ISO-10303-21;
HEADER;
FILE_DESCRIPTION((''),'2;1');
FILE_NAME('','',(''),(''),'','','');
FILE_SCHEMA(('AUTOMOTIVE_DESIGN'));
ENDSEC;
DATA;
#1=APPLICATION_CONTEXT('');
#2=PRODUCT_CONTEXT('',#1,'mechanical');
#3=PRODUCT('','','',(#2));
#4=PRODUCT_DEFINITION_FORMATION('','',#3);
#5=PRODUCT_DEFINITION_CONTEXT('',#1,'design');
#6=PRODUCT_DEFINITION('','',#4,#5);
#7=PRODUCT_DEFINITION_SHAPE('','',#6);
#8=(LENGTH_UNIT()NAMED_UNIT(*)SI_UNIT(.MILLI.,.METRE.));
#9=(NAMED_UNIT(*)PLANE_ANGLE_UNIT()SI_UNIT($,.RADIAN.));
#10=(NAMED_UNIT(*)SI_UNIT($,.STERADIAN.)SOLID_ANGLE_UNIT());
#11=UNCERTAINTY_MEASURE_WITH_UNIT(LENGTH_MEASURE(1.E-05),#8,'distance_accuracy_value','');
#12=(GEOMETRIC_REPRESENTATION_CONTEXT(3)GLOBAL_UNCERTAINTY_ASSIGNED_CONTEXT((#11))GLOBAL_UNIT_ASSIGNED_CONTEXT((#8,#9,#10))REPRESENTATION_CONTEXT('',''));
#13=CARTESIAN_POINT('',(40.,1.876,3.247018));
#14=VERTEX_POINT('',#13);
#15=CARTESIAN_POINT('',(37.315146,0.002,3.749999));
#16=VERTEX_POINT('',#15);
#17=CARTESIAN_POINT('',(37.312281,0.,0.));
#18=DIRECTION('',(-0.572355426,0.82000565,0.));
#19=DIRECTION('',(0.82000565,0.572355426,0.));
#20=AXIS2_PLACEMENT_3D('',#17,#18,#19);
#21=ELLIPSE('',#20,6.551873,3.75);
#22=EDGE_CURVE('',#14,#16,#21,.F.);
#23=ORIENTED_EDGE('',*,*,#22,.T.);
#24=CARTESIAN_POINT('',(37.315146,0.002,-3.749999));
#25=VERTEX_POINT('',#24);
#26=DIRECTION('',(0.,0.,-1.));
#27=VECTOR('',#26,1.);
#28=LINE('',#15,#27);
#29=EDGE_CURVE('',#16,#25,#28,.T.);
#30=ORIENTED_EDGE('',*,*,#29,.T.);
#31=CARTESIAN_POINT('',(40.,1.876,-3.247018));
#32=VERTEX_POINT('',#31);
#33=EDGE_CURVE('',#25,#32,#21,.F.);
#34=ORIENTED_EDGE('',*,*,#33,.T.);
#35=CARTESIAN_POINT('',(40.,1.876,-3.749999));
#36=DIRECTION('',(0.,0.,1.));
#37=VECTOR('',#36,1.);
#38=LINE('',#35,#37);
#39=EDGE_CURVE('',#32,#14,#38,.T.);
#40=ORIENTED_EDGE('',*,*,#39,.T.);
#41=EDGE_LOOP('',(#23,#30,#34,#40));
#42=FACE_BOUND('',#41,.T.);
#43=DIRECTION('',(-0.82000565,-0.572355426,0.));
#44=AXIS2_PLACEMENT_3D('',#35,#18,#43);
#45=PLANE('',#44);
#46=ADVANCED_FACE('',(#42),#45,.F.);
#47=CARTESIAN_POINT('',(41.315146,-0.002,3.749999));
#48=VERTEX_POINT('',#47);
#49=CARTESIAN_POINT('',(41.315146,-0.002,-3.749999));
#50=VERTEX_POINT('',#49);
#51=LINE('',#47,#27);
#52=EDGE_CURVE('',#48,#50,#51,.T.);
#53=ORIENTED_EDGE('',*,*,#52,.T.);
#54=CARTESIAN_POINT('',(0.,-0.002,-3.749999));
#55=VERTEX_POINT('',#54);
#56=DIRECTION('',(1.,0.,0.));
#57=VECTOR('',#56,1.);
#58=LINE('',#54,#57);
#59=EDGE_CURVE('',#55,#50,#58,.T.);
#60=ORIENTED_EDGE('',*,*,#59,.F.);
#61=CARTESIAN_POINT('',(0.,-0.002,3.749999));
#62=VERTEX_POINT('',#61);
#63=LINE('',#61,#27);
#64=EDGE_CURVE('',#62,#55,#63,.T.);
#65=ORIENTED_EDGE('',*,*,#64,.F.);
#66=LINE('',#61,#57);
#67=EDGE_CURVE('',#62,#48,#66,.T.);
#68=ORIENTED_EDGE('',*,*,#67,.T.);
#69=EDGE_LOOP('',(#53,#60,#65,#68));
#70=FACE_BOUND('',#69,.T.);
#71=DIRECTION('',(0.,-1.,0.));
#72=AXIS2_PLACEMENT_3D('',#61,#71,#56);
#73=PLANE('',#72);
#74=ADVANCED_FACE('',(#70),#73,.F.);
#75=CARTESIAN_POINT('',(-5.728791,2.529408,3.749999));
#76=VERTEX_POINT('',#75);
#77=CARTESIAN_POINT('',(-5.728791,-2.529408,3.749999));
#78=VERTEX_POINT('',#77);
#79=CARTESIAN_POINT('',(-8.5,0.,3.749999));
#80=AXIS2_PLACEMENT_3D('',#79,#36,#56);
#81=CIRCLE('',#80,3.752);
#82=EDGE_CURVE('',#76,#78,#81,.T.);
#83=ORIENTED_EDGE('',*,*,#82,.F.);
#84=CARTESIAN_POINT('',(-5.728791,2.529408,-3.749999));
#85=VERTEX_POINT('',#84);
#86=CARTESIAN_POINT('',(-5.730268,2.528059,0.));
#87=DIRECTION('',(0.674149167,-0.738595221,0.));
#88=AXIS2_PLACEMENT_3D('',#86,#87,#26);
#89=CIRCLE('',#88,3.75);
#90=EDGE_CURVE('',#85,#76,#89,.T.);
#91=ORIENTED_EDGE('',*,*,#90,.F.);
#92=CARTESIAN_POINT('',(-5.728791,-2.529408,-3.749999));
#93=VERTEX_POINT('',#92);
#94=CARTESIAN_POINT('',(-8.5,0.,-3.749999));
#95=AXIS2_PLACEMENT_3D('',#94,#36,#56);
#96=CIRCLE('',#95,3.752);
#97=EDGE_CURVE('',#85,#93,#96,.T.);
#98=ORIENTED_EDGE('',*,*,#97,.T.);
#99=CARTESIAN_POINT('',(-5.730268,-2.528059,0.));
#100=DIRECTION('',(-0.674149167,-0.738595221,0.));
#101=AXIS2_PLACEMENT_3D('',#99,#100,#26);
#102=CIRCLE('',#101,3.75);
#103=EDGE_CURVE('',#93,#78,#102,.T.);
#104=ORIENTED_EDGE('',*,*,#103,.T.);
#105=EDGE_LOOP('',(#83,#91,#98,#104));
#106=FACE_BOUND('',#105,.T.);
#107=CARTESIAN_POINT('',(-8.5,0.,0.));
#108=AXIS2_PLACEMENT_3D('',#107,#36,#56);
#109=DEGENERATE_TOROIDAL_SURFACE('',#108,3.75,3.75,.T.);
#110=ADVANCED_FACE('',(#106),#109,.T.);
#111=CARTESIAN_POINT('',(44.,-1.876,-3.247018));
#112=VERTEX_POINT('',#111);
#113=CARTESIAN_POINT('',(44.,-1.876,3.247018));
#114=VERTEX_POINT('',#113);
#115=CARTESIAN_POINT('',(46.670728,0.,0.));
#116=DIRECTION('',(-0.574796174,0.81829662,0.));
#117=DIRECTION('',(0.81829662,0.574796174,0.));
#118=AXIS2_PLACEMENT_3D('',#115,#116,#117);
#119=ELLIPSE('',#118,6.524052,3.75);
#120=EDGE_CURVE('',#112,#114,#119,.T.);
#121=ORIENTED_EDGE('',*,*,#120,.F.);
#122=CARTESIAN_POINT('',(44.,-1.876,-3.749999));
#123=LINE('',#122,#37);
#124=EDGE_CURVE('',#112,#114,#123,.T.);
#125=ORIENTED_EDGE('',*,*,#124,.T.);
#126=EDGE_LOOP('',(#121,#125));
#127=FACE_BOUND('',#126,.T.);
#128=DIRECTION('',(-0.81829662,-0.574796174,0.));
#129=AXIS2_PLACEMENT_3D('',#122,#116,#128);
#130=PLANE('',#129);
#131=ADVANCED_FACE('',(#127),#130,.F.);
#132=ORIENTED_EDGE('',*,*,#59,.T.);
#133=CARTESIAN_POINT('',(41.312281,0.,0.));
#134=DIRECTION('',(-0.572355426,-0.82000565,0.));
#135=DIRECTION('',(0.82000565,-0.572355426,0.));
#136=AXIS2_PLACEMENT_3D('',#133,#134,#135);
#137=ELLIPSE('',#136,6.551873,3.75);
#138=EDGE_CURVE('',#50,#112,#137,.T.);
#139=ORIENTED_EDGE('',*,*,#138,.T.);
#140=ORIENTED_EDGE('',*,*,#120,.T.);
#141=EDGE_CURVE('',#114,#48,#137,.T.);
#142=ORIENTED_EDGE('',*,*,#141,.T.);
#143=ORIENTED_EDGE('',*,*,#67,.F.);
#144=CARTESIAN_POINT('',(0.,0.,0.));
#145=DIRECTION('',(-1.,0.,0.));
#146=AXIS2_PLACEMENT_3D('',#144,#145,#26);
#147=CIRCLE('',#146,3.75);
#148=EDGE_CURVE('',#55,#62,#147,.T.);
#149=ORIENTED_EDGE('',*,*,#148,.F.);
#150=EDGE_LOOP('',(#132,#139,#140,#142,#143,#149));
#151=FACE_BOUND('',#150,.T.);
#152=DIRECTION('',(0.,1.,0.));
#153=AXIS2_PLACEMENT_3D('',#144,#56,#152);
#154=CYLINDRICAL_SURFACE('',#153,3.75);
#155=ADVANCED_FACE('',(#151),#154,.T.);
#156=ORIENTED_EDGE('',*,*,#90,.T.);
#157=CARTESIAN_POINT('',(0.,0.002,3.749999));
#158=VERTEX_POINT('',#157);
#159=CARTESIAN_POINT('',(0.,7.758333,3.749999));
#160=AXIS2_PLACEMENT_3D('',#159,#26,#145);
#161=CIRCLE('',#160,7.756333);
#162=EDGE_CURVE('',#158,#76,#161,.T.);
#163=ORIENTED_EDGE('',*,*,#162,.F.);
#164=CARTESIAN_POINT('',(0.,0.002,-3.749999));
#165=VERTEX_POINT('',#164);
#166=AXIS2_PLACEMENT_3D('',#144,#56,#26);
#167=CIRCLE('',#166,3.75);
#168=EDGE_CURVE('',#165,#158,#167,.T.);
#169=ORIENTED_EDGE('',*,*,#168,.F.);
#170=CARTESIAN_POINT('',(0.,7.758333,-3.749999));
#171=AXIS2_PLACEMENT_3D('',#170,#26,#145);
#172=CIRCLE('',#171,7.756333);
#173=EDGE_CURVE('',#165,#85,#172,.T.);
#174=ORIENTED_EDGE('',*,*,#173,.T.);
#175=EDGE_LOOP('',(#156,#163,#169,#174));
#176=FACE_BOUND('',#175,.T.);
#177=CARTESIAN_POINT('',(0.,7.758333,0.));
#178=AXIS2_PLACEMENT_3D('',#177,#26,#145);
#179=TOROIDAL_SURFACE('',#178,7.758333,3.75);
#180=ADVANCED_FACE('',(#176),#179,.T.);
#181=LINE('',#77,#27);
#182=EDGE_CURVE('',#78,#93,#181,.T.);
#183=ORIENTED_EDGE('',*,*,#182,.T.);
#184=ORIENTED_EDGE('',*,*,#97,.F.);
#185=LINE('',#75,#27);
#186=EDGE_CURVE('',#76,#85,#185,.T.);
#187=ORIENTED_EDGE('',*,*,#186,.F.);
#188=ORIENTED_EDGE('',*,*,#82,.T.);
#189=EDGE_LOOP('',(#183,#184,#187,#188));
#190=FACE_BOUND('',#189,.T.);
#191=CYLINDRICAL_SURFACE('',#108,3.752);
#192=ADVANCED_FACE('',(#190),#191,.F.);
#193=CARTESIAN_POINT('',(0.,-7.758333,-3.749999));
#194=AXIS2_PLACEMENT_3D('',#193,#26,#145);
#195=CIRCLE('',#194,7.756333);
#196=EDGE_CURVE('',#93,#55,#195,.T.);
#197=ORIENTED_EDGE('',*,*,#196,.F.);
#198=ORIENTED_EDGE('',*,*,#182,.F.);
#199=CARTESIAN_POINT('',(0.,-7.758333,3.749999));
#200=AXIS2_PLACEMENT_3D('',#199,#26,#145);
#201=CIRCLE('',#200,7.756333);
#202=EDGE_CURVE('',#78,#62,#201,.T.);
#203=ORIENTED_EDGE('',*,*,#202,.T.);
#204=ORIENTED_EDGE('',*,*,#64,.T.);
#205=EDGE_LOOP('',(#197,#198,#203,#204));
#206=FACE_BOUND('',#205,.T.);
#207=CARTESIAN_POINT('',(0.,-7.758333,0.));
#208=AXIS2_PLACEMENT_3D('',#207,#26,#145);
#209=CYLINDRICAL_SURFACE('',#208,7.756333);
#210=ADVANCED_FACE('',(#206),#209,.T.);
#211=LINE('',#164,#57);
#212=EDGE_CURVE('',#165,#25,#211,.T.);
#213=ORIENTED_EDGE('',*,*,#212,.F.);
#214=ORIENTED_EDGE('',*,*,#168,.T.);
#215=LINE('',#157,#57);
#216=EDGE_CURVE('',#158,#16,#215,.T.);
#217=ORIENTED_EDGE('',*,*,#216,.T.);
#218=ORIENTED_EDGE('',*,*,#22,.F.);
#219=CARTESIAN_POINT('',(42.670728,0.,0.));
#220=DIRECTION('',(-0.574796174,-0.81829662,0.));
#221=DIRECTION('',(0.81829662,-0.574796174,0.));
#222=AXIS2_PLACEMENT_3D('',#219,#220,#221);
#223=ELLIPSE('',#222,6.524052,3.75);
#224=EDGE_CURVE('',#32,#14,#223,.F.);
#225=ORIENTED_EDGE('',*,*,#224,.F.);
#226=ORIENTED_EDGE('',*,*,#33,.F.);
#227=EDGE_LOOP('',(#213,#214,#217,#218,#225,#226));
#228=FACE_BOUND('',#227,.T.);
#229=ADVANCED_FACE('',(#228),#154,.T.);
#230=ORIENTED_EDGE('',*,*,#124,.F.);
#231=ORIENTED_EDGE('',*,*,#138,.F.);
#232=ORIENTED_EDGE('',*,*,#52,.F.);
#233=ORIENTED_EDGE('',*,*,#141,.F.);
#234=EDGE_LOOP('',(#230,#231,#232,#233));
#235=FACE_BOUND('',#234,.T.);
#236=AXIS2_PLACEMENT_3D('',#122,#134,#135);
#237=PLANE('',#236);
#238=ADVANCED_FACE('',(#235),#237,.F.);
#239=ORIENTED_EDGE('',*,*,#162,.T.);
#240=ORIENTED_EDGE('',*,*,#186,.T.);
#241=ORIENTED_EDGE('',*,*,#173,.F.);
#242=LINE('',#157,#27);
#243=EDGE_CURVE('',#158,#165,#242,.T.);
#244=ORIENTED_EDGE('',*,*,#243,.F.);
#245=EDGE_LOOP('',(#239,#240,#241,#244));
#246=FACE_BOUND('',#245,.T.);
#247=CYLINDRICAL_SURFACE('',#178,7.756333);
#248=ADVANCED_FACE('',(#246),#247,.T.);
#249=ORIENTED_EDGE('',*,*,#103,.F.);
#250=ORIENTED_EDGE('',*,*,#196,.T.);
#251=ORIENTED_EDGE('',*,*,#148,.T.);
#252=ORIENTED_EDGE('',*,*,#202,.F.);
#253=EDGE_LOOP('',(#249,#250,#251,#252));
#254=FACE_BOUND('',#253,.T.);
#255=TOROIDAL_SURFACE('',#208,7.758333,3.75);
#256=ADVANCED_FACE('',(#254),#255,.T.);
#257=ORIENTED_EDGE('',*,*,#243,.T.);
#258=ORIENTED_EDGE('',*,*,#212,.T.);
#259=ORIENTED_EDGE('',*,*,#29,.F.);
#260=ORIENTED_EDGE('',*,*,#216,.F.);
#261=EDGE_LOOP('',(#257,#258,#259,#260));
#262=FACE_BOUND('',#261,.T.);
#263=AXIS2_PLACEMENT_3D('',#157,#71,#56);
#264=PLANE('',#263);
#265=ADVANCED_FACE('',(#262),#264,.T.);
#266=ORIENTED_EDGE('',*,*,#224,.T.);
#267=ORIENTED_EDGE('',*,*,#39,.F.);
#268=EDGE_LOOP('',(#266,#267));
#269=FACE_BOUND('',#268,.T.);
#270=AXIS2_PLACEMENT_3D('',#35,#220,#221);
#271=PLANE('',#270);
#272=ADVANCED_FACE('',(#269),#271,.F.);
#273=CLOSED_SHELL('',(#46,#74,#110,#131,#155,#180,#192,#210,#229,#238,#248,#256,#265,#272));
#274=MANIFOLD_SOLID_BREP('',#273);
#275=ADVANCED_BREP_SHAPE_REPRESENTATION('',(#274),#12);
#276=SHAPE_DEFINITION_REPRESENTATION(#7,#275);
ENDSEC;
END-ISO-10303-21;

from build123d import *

# Parameters (mm, degrees)
CONECUT_DEPTH      = 45.791879825
CONECUT_DEPTH_BACK = 45.791879825


with BuildPart() as part:
    # Body: sweep along a path in PathSke
    with BuildLine(Plane.XY) as body_path:
        Line((40, 3.75), (0, 3.75))
        ThreePointArc((0, 3.75), (-1.617924495, 4.091037812), (-2.960535844, 5.056118755))
        ThreePointArc((-2.960535844, 5.056118755), (-16, 0), (-2.960535844, -5.056118755))
        ThreePointArc((-2.960535844, -5.056118755), (-1.617924495, -4.091037812), (0, -3.75))
        Line((0, -3.75), (44, -3.75))
    # SectionSke → Body (sweep)
    with BuildSketch(Plane(origin=(40, 0, 0), x_dir=(0, 0, -1), z_dir=(1, 0, 0))):
        with BuildLine():
            Line((-3.749999467, 0.002), (3.749999467, 0.002))
            ThreePointArc((3.749999467, 0.002), (0, 3.75), (-3.749999467, 0.002))
        make_face()
    sweep(path=body_path.line)

    # ConeCutSke → ConeCut (cut, two sides: drawn at the far end of the back side and taken through both)
    with BuildSketch(Plane.XY.offset(-CONECUT_DEPTH_BACK)):
        Polygon((40, 1.876), (37.317882577, 3.76), (44.01, 3.76), (44.01, -3.76), (41.317882577, -3.76), (44, -1.876), (41.312280917, 0), (37.312280917, 0), align=None)
    extrude(amount=CONECUT_DEPTH + CONECUT_DEPTH_BACK, mode=Mode.SUBTRACT)


solid = part.part
